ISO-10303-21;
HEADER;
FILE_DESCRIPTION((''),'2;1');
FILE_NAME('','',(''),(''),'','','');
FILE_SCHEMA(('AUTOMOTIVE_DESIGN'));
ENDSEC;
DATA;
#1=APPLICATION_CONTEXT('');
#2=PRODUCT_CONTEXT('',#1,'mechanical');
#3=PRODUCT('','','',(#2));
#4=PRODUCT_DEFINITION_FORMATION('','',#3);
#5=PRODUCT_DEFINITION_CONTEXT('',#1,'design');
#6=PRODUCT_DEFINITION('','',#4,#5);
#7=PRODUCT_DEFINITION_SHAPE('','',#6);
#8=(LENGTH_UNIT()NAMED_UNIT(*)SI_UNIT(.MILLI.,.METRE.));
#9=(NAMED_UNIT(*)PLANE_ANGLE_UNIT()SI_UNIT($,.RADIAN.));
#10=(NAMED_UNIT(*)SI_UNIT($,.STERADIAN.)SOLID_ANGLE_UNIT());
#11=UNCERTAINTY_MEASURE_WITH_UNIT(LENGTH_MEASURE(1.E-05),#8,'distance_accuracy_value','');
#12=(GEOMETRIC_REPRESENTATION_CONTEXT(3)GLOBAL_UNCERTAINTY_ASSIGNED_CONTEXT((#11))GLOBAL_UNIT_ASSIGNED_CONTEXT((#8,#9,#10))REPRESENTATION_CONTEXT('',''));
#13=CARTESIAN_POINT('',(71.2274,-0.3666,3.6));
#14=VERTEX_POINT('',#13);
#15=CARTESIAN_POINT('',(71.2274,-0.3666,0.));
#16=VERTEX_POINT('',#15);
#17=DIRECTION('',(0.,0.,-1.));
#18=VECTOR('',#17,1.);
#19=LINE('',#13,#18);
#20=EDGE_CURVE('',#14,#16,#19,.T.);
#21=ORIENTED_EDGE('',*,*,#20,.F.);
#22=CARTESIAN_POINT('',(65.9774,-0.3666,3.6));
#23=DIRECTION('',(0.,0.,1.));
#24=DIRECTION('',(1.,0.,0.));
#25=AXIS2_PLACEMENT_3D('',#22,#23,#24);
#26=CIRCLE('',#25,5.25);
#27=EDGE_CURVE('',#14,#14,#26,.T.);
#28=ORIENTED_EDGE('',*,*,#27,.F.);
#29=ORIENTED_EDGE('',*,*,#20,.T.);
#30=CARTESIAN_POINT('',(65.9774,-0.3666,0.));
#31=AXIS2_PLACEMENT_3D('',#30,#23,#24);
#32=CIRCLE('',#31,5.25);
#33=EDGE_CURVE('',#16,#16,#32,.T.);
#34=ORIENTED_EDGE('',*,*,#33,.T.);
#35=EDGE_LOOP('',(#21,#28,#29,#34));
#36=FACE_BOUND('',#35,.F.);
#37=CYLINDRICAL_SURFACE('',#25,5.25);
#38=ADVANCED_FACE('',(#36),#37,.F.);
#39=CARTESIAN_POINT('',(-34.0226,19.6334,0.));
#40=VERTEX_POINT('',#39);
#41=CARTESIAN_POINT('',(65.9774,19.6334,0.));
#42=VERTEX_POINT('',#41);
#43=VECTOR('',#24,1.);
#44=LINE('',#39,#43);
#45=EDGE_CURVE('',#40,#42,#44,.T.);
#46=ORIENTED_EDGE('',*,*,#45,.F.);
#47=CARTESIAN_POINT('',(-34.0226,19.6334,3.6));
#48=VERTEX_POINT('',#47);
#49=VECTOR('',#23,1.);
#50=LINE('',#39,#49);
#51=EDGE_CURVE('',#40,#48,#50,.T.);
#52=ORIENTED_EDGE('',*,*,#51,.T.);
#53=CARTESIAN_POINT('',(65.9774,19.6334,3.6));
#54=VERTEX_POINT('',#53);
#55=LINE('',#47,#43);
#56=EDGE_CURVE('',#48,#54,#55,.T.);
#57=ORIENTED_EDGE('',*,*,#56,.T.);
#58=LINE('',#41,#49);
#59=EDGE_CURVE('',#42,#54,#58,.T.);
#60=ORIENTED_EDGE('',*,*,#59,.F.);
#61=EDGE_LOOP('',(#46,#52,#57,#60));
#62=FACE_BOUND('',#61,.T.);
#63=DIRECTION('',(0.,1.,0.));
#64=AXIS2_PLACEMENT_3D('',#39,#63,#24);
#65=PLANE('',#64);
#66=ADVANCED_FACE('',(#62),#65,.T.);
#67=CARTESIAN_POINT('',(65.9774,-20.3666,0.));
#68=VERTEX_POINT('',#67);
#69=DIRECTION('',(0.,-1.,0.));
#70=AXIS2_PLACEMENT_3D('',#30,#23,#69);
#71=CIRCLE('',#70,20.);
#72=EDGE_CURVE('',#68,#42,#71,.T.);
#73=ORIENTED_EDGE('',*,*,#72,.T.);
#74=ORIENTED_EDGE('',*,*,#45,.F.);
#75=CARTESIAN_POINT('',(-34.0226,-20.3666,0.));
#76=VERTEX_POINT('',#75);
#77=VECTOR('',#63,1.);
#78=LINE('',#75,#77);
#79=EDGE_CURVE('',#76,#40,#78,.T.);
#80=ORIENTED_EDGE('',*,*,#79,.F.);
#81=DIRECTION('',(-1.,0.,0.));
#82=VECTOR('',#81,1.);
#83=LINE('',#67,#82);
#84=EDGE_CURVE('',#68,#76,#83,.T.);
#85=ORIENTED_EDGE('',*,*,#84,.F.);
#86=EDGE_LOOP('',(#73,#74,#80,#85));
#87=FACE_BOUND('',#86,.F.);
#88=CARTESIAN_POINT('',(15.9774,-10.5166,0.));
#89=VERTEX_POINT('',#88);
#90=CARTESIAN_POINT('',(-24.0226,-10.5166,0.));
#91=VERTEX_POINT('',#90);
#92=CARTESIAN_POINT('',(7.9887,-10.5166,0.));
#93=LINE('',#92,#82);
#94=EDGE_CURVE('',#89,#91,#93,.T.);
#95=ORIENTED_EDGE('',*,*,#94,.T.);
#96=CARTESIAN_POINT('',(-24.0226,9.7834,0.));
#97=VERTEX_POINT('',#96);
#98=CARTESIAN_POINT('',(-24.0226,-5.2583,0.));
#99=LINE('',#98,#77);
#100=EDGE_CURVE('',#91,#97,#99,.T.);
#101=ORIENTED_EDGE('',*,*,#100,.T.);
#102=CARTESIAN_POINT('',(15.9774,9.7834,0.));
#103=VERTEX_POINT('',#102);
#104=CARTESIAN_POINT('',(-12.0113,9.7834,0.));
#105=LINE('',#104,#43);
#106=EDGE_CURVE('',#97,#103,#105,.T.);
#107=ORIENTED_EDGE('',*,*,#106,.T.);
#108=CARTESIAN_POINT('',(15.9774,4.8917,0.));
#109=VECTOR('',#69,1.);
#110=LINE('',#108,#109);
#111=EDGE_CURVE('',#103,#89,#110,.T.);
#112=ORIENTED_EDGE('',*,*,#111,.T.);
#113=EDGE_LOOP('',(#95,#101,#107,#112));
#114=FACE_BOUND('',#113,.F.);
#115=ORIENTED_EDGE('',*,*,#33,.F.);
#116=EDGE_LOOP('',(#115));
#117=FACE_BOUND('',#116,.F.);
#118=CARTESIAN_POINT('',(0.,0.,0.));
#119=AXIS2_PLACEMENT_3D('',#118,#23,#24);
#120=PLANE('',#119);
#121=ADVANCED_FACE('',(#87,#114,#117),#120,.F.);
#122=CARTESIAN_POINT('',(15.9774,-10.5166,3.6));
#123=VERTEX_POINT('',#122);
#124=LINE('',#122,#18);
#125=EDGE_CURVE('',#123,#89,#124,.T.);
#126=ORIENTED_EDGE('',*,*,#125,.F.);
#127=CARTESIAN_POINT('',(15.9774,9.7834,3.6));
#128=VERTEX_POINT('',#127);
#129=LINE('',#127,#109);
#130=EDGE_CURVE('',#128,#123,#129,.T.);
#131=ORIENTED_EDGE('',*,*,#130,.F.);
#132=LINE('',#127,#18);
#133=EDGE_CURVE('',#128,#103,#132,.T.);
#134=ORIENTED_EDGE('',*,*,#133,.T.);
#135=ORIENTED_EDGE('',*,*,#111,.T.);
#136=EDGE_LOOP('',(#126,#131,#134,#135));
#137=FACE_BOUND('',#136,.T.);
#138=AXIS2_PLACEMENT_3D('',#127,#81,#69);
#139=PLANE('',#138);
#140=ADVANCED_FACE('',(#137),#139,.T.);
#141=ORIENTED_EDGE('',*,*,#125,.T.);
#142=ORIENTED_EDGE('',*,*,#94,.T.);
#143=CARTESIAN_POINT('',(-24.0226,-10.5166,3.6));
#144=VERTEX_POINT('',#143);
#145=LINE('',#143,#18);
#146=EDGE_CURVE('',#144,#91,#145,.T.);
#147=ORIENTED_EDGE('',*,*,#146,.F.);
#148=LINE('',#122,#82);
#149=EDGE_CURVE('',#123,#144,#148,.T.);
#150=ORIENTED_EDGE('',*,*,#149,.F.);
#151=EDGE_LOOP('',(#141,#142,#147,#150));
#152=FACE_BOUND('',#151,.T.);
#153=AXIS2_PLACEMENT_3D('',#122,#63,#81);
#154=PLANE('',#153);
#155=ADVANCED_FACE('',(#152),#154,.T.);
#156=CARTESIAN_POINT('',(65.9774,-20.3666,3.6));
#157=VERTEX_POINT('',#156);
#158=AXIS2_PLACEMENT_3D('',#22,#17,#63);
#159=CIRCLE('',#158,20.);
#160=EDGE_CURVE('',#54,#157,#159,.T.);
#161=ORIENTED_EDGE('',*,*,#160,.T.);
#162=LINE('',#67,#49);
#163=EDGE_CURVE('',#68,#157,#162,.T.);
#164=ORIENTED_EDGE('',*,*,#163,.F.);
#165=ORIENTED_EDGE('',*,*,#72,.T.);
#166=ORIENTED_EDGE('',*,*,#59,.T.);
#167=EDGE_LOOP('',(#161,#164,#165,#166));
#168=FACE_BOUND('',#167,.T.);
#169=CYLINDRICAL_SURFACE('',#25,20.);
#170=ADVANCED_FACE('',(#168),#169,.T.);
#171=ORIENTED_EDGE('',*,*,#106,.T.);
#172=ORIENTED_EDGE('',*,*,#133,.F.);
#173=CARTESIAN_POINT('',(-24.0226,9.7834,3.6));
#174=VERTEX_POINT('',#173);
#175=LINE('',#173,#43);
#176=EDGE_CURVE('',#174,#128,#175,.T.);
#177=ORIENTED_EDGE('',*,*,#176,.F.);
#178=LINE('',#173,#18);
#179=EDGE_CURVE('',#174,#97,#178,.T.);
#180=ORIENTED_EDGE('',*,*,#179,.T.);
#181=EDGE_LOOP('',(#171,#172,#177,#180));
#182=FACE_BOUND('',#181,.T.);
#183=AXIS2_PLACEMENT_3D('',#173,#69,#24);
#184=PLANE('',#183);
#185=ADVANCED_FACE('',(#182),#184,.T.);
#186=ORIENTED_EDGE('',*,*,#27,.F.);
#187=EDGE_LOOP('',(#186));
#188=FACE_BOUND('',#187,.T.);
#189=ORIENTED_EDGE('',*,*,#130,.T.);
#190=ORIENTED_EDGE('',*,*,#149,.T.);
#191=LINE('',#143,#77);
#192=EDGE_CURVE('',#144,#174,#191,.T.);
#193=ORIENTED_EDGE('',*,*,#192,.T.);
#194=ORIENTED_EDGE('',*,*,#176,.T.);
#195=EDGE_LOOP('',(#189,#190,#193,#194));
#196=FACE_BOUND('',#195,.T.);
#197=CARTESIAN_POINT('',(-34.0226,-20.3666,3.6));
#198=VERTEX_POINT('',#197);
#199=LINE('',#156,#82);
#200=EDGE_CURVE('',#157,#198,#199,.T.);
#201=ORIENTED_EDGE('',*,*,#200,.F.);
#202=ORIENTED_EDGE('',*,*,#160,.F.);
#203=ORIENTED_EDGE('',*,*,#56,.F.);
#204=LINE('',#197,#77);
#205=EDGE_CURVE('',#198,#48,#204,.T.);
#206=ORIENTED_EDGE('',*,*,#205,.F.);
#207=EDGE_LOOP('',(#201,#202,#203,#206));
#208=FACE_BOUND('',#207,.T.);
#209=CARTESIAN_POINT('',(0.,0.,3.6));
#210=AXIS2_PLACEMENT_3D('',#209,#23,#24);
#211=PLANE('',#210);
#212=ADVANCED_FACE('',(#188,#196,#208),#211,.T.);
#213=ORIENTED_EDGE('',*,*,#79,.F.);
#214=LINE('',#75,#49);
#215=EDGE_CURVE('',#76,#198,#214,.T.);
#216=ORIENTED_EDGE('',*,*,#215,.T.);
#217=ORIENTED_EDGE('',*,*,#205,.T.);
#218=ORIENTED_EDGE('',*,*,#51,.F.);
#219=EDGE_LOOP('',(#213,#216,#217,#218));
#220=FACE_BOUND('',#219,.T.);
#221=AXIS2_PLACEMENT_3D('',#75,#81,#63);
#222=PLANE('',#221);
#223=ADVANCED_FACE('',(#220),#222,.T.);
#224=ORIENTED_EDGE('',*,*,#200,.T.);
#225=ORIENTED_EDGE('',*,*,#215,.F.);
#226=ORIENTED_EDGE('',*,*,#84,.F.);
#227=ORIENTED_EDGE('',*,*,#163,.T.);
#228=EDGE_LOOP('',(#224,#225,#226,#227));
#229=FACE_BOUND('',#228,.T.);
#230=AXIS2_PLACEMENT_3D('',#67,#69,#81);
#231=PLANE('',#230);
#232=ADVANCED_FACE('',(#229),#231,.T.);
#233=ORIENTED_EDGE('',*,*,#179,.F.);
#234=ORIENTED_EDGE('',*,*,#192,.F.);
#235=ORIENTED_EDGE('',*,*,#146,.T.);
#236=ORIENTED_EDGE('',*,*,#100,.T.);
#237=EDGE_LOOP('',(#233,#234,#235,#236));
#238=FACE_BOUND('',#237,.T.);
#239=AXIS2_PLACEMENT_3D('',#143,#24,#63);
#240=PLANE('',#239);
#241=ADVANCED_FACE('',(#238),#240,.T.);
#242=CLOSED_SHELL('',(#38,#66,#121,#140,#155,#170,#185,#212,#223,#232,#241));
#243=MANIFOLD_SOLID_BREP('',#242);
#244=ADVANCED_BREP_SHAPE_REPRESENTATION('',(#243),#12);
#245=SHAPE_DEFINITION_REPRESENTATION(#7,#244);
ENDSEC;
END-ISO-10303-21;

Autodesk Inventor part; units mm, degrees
ref_plane "YZ Plane" through (0, 0, 0) normal (1, 0, 0) x (0, 1, 0)
ref_plane "XZ Plane" through (0, 0, 0) normal (0, 1, 0) x (-1, 0, 0)
ref_plane "XY Plane" through (0, 0, 0) normal (0, 0, 1) x (1, 0, 0)
sketch "Sketch1" plane through (0, 0, 0) normal (0, 0, 1) x (1, 0, 0)
  line L0 (-34.0226, 19.6334) -> (65.9774, 19.6334)
  line L1 (65.9774, 19.6334) -> (65.9774, -20.3666)
  line L2 (65.9774, -20.3666) -> (-34.0226, -20.3666)
  line L3 (-34.0226, -20.3666) -> (-34.0226, 19.6334)
  point P0 (0, 0)
  dimension "d0" = 100
  dimension "d1" = 40
extrude "Extrusion1" add sketch "Sketch1" along normal blind 3.6
sketch "Sketch2" plane through (0, 0, 3.6) normal (0, 0, 1) x (1, 0, 0)
  line L0 (15.9774, -10.5166) -> (-24.0226, -10.5166)
  line L1 (-24.0226, -10.5166) -> (-24.0226, 9.7834)
  line L2 (-24.0226, 9.7834) -> (15.9774, 9.7834)
  line L3 (15.9774, 9.7834) -> (15.9774, -10.5166)
  line L4 (-34.0226, -20.3666) -> (65.9774, -20.3666) projected
  line L5 (65.9774, 19.6334) -> (-34.0226, 19.6334) projected
  line L6 (-34.0226, -20.3666) -> (-34.0226, 19.6334) projected
  point P0 (0, 0)
  dimension "d4" = 40
  dimension "d5" = 20.3
  dimension "d6" = 9.85
  dimension "d7" = 9.85
  dimension "d8" = 10
extrude "Extrusion2" cut sketch "Sketch2" against normal blind 4
sketch "Sketch3" plane through (0, 0, 3.6) normal (0, 0, 1) x (1, 0, 0)
  line L0 (65.9774, -20.3666) -> (65.9774, 19.6334) projected
  circle A0 centre (65.9774, -0.3666) radius 20
  point P0 (0, 0)
extrude "Extrusion3" add sketch "Sketch3" against normal blind 3.6
sketch "Sketch4" plane through (0, 0, 3.6) normal (0, 0, 1) x (1, 0, 0)
  arc A0 (65.9774, -20.3666) -> (65.9774, 19.6334) centre (65.9774, -0.3666) ccw projected
  circle A1 centre (65.9774, -0.3666) radius 5.25
  point P0 (0, 0)
  dimension "d13" = 10.5
extrude "Extrusion4" cut sketch "Sketch4" against normal blind 4
properties part number "plaat1"
